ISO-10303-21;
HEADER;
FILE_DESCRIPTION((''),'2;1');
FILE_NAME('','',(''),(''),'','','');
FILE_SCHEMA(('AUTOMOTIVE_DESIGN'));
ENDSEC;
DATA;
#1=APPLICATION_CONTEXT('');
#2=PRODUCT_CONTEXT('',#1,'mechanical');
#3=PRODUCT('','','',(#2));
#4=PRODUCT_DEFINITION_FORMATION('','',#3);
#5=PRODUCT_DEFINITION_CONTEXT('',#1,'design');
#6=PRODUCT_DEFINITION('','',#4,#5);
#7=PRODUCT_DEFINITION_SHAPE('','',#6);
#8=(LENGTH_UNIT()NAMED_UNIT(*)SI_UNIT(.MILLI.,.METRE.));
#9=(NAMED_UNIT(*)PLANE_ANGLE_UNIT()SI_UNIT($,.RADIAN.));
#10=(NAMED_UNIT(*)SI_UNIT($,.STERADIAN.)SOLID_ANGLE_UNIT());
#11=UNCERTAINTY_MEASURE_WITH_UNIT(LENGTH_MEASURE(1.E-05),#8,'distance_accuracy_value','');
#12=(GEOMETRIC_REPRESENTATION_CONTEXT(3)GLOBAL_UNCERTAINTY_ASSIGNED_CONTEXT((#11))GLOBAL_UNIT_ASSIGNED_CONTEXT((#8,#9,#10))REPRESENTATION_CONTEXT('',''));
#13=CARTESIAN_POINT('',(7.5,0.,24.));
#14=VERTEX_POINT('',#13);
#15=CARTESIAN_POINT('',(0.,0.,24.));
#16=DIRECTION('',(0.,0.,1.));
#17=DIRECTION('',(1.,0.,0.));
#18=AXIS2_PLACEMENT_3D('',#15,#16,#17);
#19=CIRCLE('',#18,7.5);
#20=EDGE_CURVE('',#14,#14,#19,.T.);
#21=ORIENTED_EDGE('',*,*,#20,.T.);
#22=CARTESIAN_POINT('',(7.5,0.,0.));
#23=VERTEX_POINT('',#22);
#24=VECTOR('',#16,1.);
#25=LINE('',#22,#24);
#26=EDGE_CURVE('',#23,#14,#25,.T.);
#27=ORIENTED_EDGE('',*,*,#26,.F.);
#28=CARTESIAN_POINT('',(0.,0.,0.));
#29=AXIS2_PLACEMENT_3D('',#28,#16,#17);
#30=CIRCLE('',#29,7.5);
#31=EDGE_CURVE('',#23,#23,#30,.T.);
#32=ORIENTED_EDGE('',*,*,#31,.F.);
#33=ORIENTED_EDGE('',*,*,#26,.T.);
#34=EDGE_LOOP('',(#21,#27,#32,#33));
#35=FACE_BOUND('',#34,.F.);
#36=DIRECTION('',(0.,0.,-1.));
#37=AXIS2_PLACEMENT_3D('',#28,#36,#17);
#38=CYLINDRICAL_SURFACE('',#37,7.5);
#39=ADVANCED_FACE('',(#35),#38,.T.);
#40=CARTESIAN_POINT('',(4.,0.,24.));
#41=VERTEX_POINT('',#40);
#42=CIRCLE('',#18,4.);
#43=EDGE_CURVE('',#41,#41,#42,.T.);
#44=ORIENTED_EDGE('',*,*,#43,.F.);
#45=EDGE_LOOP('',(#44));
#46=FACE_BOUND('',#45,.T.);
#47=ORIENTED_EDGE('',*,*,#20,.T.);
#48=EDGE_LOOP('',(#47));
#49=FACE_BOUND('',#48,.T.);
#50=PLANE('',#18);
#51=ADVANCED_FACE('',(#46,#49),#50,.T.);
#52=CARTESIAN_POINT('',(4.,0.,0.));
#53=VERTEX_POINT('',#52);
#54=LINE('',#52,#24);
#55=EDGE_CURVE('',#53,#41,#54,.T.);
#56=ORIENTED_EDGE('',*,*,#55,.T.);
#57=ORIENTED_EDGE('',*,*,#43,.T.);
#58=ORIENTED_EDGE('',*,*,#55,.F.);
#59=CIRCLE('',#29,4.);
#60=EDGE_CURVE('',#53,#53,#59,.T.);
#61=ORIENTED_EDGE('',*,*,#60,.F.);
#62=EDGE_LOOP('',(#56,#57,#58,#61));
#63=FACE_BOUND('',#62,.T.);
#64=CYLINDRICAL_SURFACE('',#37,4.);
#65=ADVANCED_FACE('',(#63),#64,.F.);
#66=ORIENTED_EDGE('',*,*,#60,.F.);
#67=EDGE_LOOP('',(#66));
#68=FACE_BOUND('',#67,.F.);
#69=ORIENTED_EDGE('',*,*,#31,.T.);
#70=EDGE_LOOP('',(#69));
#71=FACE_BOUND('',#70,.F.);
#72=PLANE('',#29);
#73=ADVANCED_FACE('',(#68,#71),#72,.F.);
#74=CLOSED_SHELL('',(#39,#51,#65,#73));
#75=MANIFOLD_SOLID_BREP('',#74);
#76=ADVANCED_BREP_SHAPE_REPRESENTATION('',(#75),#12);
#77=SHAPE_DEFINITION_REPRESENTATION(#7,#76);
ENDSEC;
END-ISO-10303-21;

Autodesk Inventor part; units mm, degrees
ref_plane "YZ Plane" through (0, 0, 0) normal (1, 0, 0) x (0, 1, 0)
ref_plane "XZ Plane" through (0, 0, 0) normal (0, 1, 0) x (-1, 0, 0)
ref_plane "XY Plane" through (0, 0, 0) normal (0, 0, 1) x (1, 0, 0)
sketch "Sketch1" plane through (0, 0, 0) normal (0, 0, 1) x (1, 0, 0)
  circle A0 centre (0, 0) radius 4
  circle A1 centre (0, 0) radius 7.5
  dimension "d0" = 15
  dimension "d2" = 8
extrude "Extrusion1" add sketch "Sketch1" along normal blind 24
properties part number "Linear bearing 8mm"
